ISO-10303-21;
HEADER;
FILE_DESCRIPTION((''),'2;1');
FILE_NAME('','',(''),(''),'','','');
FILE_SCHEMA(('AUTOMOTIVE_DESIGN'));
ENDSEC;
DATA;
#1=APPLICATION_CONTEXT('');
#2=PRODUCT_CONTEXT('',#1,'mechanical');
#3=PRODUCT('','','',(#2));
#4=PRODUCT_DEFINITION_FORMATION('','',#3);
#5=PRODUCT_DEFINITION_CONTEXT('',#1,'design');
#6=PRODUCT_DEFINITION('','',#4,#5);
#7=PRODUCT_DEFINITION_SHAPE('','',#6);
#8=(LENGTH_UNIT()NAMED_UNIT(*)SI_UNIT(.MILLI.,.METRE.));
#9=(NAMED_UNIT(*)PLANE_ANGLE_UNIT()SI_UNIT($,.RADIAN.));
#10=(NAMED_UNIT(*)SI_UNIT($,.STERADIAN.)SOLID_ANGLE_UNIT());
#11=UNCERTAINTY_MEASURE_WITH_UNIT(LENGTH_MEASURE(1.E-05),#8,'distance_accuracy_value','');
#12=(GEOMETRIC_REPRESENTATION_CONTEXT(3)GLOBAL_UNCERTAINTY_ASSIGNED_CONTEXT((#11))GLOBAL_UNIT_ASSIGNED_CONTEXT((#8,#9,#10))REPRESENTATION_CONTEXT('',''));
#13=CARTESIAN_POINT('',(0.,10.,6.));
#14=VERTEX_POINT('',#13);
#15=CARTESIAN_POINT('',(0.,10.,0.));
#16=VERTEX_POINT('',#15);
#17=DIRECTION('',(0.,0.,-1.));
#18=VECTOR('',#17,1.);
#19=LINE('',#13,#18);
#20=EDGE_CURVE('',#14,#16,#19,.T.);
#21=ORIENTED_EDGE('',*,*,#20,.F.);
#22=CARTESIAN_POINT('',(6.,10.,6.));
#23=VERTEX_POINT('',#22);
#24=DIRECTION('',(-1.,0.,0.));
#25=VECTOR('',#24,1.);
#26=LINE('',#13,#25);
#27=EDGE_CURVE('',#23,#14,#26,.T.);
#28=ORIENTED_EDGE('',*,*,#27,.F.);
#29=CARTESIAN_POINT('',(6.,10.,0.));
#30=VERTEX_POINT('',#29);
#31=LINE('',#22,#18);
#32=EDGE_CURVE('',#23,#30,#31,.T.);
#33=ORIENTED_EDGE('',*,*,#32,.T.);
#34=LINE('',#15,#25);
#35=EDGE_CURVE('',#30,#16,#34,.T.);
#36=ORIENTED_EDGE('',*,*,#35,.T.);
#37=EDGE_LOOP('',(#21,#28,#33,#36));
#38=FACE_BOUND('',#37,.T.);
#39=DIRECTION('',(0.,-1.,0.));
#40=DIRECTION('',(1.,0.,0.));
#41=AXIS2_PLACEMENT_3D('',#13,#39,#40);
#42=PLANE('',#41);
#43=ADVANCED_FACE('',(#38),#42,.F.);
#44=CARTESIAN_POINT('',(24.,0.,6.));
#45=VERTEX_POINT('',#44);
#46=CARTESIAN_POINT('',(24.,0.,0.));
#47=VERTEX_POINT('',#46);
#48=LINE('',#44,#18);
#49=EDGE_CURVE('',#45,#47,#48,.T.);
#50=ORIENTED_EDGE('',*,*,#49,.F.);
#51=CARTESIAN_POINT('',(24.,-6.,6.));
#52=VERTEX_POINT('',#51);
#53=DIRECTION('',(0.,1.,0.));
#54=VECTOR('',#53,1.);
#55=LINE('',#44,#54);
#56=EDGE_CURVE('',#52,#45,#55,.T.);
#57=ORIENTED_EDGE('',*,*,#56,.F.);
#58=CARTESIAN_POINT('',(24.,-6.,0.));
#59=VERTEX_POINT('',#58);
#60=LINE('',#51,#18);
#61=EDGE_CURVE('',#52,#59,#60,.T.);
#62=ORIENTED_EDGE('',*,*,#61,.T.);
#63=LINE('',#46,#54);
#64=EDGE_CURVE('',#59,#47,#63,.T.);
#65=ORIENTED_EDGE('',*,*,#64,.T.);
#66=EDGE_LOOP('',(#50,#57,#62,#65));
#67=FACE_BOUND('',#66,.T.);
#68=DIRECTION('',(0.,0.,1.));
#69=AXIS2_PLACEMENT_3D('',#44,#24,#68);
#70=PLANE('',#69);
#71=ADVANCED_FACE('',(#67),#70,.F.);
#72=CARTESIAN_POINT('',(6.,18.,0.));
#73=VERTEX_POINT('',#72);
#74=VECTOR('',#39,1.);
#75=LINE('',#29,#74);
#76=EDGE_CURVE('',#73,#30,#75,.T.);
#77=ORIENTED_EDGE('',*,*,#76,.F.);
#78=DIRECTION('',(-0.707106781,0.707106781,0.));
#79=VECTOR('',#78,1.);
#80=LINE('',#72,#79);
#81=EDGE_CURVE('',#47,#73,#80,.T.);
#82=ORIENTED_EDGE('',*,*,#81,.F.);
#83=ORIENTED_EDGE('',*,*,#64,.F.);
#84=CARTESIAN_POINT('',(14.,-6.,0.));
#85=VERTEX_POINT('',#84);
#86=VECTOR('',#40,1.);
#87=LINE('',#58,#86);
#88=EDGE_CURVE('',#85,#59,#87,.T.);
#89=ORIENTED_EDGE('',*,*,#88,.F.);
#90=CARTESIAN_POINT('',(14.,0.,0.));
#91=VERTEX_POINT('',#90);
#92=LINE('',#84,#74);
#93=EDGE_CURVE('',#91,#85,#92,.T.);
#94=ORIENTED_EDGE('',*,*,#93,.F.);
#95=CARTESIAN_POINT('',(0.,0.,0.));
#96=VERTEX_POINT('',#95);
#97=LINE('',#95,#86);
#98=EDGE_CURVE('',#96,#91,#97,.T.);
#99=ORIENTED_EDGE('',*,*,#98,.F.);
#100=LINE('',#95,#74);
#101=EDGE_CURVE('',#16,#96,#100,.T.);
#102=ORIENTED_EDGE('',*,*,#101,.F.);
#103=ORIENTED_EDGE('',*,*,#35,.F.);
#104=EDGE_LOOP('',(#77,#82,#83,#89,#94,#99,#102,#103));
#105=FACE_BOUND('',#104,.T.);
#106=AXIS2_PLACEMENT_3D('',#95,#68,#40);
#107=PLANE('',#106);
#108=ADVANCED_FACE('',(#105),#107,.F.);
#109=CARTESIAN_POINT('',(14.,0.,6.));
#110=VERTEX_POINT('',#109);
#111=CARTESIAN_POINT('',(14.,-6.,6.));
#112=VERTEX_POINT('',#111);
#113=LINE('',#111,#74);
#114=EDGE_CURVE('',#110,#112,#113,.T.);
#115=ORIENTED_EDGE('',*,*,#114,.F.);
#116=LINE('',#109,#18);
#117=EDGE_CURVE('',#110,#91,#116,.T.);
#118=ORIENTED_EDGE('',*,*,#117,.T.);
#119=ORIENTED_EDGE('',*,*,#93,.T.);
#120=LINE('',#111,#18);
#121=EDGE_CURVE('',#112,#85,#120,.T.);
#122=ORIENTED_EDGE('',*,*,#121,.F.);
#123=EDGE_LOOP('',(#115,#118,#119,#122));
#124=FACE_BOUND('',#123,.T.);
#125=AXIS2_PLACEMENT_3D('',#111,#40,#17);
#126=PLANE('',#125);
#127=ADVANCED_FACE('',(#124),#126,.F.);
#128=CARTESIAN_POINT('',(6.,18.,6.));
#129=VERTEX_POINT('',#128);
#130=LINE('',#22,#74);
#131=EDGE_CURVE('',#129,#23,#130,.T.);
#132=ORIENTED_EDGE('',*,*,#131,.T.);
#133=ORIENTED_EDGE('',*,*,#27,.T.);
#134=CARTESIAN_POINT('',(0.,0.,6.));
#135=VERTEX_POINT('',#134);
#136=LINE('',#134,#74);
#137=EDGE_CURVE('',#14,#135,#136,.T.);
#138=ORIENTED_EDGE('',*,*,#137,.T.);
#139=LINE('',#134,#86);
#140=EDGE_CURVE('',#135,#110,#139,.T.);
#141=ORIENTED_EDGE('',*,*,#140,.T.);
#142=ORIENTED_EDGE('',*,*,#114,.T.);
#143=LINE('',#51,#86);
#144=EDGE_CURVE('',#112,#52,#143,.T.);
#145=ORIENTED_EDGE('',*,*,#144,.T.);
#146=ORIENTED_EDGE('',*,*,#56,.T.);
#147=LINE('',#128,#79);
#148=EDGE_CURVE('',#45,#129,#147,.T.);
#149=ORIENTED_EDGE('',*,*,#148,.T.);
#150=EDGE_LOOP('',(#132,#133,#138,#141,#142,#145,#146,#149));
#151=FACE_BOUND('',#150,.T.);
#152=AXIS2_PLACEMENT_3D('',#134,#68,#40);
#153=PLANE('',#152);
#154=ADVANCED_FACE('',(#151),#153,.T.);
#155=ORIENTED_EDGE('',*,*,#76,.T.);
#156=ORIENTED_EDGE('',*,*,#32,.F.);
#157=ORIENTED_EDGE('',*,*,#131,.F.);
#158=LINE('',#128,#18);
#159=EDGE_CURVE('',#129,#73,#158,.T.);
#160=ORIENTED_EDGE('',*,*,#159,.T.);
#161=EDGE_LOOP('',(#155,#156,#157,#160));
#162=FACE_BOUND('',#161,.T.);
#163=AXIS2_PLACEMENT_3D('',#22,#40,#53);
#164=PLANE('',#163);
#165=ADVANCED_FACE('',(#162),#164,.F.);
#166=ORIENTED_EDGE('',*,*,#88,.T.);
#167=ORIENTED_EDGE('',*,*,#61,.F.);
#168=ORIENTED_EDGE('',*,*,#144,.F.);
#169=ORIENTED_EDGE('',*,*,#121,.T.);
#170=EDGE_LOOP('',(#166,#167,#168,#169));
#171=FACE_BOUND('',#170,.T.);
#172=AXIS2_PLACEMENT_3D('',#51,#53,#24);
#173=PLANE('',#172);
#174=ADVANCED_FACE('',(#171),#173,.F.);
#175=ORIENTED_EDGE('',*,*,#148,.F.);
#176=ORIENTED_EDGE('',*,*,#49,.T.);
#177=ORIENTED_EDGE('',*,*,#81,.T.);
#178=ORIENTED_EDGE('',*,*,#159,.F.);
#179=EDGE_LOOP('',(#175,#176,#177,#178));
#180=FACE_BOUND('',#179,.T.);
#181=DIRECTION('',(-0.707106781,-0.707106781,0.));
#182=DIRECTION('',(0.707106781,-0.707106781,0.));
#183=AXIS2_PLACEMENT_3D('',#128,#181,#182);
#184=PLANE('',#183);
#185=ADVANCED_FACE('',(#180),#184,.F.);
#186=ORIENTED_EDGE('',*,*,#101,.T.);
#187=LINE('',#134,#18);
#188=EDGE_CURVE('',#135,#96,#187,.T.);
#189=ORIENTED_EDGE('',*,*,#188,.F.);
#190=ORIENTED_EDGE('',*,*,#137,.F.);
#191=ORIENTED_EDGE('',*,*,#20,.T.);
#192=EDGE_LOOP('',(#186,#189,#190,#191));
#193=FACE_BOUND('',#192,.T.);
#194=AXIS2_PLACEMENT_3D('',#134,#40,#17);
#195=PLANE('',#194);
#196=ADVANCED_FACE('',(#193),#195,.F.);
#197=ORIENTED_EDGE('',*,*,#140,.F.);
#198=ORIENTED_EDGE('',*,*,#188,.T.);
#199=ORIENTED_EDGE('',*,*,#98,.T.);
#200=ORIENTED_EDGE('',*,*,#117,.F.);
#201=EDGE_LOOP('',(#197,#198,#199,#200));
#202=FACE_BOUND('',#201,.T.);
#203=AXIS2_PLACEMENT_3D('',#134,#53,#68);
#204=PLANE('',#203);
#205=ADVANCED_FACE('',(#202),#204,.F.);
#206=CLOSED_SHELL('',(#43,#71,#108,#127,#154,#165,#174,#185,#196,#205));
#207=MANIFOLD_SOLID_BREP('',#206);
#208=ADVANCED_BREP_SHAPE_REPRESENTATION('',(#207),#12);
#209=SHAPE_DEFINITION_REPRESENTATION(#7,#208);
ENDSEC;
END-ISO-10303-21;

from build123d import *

# Parameters (mm, degrees)
BOSS_EXTRUDE1_DEPTH = 6


with BuildPart() as part:
    # Sketch1 → Boss-Extrude1 (new body)
    with BuildSketch(Plane.XY):
        Polygon((0, 0), (0, 10), (6, 10), (6, 18), (24, 0), (24, -6), (14, -6), (14, 0), align=None)
    extrude(amount=BOSS_EXTRUDE1_DEPTH)


solid = part.part
